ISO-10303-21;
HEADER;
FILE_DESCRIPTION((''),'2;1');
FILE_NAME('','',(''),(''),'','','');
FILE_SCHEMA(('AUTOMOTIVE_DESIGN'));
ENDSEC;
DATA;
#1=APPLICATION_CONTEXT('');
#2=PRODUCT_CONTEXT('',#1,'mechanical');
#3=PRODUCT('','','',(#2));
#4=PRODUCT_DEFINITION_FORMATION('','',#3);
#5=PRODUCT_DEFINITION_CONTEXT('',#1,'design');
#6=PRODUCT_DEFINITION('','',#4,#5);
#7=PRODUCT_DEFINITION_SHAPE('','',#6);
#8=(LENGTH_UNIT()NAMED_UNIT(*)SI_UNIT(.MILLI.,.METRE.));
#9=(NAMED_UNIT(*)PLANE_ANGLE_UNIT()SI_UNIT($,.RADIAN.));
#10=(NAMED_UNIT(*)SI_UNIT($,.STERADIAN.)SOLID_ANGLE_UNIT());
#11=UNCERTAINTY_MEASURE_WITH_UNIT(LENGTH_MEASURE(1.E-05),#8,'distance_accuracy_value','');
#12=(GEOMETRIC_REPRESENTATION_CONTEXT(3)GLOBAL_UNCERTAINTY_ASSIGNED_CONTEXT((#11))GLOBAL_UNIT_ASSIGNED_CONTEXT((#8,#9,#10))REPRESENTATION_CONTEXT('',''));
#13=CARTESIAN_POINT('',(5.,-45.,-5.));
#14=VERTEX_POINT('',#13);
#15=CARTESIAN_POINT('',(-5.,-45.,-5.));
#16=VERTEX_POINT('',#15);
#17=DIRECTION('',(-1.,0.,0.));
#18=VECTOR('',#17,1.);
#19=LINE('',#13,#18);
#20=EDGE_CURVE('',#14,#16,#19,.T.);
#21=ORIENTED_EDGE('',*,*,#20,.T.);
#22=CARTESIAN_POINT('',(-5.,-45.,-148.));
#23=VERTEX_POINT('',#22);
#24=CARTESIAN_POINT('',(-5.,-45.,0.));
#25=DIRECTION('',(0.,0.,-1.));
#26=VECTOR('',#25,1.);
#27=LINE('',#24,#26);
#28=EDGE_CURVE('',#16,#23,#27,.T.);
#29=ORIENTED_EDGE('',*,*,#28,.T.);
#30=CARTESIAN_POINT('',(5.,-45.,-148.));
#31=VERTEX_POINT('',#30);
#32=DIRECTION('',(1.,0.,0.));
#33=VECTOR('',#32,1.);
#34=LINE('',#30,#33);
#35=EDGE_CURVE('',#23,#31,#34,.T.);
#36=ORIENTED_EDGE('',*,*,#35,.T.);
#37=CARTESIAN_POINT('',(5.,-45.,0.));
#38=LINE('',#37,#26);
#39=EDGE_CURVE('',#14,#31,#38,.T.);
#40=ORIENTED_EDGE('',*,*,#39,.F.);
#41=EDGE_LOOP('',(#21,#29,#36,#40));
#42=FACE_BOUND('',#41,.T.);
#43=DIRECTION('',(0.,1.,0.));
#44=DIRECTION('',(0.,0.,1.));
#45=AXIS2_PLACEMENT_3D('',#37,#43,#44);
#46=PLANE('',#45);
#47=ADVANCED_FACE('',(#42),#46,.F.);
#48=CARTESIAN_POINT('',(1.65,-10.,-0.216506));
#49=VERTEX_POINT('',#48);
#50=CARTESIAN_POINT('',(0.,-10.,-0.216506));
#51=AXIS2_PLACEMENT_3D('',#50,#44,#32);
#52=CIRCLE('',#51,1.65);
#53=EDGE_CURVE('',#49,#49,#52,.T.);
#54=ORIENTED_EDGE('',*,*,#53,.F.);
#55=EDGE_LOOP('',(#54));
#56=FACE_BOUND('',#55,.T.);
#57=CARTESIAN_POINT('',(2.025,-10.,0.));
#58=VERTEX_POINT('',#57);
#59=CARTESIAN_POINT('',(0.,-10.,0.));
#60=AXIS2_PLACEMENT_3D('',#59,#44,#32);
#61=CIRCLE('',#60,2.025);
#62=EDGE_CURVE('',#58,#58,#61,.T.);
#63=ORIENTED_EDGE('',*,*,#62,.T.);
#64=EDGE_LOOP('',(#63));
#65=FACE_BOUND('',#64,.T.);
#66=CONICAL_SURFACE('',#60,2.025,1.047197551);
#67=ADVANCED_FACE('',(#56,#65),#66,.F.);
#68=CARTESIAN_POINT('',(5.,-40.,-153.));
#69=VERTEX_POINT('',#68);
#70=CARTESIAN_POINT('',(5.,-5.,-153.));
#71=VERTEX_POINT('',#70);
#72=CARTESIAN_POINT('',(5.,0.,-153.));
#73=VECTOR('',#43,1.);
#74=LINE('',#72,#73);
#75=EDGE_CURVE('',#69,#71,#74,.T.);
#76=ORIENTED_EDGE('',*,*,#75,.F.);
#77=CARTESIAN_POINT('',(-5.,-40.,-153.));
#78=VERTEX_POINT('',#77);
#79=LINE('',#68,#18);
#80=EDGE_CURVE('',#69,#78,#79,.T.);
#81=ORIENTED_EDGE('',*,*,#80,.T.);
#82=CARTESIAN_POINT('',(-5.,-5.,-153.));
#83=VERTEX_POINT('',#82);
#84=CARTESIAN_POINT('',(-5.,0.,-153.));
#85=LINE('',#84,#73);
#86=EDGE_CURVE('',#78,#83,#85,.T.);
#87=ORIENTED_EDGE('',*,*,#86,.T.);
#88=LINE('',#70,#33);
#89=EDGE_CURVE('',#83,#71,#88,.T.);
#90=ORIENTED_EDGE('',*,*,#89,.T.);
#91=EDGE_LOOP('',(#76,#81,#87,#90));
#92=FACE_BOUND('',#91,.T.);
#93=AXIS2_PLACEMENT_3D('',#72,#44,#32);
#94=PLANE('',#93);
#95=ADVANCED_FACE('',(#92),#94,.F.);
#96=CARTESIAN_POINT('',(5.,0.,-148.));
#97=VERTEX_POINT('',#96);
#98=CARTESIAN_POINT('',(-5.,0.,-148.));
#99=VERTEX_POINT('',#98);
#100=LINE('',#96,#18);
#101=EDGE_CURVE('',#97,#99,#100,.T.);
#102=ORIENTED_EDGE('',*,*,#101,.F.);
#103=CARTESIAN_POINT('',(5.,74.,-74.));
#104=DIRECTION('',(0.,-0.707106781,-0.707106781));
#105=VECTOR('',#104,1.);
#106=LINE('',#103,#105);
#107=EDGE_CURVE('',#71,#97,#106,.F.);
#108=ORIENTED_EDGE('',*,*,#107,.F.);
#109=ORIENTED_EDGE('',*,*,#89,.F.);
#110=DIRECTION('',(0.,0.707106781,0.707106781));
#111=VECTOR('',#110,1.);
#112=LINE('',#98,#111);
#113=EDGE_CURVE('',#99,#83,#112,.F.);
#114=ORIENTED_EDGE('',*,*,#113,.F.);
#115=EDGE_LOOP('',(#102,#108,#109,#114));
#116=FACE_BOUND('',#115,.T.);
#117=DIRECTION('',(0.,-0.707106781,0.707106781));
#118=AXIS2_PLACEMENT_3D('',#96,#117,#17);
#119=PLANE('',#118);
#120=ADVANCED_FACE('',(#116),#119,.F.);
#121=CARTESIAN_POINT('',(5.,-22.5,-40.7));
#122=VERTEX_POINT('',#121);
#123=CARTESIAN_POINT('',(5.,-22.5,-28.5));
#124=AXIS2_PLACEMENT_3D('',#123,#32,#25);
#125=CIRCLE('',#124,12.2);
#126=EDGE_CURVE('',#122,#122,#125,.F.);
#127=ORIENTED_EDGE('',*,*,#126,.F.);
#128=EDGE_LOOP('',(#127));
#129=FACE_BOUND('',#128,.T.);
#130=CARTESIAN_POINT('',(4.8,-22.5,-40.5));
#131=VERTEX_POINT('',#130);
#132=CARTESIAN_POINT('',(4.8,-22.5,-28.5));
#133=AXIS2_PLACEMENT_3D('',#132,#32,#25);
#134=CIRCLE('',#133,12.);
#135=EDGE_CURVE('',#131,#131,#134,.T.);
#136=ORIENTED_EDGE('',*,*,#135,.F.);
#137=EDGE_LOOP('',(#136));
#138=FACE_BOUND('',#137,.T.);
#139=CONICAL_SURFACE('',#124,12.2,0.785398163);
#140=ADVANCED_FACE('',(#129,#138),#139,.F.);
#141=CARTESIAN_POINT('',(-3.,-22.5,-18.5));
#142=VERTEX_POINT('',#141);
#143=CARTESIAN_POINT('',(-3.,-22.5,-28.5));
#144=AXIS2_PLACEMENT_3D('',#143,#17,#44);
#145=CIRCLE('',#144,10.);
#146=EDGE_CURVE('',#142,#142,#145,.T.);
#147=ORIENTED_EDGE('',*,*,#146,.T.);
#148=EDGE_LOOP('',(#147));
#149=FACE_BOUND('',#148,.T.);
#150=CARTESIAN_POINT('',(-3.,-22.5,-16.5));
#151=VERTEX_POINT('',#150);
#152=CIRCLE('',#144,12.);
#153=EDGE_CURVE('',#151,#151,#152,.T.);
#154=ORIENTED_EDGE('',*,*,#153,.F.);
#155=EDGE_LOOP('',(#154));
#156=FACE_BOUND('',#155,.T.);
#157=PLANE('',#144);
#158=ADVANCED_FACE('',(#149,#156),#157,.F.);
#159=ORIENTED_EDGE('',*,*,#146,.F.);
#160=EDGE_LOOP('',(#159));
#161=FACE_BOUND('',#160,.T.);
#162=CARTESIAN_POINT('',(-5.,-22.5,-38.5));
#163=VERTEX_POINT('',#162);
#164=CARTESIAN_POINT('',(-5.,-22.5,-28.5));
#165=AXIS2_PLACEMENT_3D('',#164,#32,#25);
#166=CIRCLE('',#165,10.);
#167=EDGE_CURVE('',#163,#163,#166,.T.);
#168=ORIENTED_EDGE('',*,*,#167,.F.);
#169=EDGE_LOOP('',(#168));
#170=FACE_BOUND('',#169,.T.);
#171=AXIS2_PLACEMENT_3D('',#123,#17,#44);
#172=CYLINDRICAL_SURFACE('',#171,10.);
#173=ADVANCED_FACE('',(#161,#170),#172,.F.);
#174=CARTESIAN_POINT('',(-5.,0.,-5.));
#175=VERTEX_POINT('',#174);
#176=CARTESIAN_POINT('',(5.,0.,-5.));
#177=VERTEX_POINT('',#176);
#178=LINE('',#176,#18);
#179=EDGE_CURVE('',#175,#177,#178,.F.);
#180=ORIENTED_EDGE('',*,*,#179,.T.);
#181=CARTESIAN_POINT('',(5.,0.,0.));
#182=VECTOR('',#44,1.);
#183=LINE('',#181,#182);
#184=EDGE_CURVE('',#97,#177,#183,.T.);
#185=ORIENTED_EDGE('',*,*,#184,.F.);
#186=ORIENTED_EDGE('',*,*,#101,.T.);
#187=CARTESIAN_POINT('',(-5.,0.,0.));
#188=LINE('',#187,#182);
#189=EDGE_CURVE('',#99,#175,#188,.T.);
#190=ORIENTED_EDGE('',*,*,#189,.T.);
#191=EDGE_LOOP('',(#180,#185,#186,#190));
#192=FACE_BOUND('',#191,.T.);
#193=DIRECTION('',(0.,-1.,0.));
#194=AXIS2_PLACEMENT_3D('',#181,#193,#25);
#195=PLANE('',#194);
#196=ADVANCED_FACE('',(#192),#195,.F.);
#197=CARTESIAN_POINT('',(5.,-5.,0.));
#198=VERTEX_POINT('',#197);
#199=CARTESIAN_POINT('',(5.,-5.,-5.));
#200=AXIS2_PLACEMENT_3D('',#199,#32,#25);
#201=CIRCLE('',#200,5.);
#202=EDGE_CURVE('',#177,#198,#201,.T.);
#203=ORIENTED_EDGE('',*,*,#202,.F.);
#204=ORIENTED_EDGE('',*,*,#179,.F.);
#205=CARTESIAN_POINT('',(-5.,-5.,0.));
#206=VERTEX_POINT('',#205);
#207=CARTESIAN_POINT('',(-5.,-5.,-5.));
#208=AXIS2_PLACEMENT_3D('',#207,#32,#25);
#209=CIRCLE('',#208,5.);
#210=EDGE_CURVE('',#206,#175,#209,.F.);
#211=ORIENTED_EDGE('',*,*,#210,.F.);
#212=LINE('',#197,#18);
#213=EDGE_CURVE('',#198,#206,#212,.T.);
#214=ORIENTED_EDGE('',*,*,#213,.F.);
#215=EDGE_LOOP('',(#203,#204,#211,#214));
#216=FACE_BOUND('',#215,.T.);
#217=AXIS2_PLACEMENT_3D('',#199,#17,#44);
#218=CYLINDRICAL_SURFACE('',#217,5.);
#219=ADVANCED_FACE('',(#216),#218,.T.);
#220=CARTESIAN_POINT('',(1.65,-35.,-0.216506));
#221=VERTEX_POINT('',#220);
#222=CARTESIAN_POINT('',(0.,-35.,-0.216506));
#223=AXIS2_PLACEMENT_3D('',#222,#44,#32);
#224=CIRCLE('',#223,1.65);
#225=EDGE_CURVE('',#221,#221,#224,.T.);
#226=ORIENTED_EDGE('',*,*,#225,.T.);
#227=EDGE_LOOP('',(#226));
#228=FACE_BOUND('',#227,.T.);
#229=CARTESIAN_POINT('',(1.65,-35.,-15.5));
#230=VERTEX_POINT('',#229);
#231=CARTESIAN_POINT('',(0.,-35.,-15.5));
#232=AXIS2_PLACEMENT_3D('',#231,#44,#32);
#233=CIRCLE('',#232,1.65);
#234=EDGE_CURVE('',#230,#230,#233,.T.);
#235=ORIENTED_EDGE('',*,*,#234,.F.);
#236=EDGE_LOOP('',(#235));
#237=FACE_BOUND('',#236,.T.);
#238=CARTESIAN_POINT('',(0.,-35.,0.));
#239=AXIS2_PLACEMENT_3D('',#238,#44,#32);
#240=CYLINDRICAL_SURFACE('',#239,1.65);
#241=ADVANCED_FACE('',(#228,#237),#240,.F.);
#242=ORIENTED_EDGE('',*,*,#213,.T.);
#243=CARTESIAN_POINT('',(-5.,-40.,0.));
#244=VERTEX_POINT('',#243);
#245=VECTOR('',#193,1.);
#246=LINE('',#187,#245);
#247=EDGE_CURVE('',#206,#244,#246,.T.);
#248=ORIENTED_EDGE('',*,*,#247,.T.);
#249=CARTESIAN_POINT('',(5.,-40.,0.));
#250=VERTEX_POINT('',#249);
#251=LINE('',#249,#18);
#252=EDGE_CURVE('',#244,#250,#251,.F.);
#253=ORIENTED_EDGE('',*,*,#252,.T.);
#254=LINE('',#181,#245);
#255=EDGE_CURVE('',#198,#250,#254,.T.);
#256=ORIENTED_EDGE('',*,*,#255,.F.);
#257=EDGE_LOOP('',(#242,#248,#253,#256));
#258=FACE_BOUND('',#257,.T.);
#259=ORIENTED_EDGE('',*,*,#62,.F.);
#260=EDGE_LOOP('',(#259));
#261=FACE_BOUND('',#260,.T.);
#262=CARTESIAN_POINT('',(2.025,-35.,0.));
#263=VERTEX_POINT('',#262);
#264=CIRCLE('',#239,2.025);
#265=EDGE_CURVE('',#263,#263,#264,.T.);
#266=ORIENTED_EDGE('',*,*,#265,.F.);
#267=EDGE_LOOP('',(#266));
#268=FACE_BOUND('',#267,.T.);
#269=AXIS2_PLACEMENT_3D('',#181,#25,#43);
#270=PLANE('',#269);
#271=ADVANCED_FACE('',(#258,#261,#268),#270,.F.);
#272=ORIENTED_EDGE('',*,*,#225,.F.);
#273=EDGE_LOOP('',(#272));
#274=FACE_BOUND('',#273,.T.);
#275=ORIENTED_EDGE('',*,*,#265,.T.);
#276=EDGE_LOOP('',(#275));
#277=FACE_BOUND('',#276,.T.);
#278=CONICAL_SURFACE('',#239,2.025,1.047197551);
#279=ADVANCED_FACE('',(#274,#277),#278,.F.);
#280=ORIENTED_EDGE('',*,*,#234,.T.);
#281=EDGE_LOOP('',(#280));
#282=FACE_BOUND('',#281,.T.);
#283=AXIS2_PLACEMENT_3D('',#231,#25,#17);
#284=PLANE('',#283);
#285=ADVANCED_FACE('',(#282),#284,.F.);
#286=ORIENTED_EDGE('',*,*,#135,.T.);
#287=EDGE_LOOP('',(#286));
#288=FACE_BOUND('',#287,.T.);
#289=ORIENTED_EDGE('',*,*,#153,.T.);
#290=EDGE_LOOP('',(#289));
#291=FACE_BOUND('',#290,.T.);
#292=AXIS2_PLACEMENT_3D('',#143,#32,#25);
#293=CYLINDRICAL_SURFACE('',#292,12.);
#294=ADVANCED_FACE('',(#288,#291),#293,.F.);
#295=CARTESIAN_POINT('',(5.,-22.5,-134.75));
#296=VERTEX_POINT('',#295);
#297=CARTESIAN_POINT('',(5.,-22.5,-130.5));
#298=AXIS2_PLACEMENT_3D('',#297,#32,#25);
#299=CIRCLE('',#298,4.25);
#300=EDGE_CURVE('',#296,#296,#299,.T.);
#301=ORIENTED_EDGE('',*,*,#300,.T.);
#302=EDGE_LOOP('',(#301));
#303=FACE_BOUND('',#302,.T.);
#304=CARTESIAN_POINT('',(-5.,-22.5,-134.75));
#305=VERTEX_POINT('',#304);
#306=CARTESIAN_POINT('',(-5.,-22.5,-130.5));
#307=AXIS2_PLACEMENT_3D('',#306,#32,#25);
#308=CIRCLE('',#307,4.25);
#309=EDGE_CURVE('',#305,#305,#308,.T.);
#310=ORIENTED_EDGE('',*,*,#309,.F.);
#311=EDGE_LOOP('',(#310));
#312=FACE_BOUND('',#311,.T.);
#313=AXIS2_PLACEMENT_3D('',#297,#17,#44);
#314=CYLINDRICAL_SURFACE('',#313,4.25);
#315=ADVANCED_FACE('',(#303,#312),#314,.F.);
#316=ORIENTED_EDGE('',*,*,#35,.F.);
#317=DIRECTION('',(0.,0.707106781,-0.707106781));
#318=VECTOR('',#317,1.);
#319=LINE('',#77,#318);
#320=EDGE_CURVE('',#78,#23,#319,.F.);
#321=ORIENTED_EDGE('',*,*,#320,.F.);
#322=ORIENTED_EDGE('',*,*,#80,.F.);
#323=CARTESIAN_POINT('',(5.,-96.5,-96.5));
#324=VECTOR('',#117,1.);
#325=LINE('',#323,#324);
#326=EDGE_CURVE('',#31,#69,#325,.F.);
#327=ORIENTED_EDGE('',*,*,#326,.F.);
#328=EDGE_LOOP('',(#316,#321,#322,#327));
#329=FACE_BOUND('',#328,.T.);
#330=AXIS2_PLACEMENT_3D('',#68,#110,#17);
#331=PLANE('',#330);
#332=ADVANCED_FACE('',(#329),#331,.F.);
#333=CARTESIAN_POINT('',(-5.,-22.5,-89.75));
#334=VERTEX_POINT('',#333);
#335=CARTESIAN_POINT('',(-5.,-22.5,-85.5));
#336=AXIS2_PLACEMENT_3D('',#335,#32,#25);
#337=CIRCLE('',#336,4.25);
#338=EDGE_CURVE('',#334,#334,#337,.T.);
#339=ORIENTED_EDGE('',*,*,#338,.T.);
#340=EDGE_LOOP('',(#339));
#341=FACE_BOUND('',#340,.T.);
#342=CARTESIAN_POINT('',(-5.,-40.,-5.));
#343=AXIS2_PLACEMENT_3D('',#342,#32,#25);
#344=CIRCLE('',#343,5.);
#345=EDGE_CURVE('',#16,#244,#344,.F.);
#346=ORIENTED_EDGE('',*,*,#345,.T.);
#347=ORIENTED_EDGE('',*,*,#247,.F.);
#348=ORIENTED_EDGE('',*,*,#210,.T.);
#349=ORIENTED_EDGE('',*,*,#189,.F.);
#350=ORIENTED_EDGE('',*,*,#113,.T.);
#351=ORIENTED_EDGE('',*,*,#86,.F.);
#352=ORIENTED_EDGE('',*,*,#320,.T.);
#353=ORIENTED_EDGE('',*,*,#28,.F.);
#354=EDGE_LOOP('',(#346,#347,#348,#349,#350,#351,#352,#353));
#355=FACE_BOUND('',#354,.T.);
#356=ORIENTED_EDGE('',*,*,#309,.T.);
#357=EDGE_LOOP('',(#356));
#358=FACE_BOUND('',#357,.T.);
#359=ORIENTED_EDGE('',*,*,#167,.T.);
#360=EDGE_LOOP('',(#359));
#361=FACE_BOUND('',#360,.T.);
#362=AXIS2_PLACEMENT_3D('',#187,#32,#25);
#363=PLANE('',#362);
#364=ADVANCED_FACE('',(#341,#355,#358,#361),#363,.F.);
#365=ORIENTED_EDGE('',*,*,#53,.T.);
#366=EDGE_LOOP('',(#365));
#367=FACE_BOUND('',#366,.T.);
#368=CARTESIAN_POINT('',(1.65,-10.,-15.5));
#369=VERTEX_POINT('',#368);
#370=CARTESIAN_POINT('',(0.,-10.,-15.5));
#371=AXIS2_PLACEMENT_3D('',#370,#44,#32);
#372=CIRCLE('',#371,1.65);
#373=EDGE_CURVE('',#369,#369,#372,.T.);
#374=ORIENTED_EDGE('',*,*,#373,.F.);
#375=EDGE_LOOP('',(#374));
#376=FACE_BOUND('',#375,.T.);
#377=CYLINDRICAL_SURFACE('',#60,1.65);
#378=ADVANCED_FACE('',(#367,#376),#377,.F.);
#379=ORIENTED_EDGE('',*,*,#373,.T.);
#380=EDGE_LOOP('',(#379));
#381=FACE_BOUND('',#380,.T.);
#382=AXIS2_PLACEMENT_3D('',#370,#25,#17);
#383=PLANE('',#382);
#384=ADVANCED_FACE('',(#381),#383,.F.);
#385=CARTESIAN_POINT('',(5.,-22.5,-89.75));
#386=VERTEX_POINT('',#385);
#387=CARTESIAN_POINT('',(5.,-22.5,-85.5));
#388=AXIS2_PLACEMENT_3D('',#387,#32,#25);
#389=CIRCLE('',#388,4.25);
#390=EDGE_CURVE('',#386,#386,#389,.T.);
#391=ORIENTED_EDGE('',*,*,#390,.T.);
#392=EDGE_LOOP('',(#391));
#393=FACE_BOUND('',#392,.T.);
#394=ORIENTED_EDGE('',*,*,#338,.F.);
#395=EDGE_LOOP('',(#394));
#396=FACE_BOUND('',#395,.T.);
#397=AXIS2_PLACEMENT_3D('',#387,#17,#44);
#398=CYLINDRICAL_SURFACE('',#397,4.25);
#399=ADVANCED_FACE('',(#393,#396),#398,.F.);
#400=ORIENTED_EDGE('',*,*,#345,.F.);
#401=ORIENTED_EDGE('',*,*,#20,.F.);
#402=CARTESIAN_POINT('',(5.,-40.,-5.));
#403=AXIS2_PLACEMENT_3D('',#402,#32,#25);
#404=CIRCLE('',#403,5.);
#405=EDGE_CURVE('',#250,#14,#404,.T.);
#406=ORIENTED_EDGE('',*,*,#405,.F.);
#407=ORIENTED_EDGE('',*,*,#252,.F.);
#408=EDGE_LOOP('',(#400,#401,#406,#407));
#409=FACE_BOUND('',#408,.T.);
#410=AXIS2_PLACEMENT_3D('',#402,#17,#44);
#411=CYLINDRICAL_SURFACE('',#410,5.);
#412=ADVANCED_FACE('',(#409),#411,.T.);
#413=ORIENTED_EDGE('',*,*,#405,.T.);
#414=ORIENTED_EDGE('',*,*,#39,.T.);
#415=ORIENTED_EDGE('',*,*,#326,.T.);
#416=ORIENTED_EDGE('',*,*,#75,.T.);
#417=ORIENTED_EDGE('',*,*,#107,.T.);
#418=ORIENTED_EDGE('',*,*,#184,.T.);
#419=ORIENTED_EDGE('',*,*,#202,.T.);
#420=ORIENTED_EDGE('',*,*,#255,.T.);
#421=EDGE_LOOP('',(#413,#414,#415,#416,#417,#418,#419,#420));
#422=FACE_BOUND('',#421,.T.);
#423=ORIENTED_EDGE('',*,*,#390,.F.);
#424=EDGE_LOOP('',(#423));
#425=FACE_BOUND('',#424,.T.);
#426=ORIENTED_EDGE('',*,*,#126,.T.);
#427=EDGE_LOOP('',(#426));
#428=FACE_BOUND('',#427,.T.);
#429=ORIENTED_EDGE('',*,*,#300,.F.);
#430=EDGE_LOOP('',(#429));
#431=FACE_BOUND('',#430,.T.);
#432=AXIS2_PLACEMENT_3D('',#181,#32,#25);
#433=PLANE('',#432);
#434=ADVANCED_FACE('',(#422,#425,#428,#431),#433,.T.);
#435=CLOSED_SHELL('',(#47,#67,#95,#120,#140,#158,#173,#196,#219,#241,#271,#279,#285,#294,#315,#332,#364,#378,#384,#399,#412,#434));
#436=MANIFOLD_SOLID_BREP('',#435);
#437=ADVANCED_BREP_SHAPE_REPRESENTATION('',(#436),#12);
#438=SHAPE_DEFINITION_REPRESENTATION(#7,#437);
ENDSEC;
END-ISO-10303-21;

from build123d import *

# Parameters (mm, degrees)
SKETCH_1_W                   = 153
SKETCH_1_H                   = 45
SKETCH_1_R                   = 10
SKETCH_1_R_2                 = 4.25
EXTRUDE_1_DEPTH              = 5
SKETCH_6_R                   = 12
CUT_EXTRUDE_1028_DEPTH       = 8
CHAMFER_1_SIZE               = 5
FILLET_1_R                   = 5
CHAMFER_2_SIZE               = 0.2
HOLE_WIZARD_M4_1_D           = 3.3
HOLE_WIZARD_M4_1_DEPTH       = 15.5
HOLE_WIZARD_M4_1_CSINK_D     = 4.05
HOLE_WIZARD_M4_1_CSINK_ANGLE = 120


with BuildPart() as part:
    # 草图1 → 凸台-拉伸1 (new body, symmetric)
    with BuildSketch(Plane(origin=(0, 0, 0), x_dir=(0, 0, -1), z_dir=(1, 0, 0))):
        with Locations((76.5, -22.5)):
            Rectangle(SKETCH_1_W, SKETCH_1_H)
        with Locations((28.5, -22.5)):
            Circle(SKETCH_1_R, mode=Mode.SUBTRACT)
        with Locations((85.5, -22.5)):
            Circle(SKETCH_1_R_2, mode=Mode.SUBTRACT)
        with Locations((130.5, -22.5)):
            Circle(SKETCH_1_R_2, mode=Mode.SUBTRACT)
    extrude(amount=EXTRUDE_1_DEPTH, both=True)

    # 草图6 → Cut-Extrude 1028 (cut)
    with BuildSketch(Plane.ZY.offset(-5)):
        with Locations((-28.5, -22.5)):
            Circle(SKETCH_6_R)
    extrude(amount=CUT_EXTRUDE_1028_DEPTH, mode=Mode.SUBTRACT)

    # 倒角1
    chamfer_1_edges = [part.edges().sort_by_distance(p)[0] for p in [
        (0, 0, -153),
        (0, -45, -153),
    ]]
    chamfer(chamfer_1_edges, length=CHAMFER_1_SIZE)

    # 圆角1
    fillet_1_edges = [part.edges().sort_by_distance(p)[0] for p in [
        (0, 0, 0),
        (0, -45, 0),
    ]]
    fillet(fillet_1_edges, radius=FILLET_1_R)

    # 倒角2
    chamfer_2_edges = [part.edges().sort_by_distance(p)[0] for p in [
        (5, -22.5, -40.5),
    ]]
    chamfer(chamfer_2_edges, length=CHAMFER_2_SIZE)

    # M4 螺纹孔1
    with Locations(Plane.XY):
        with Locations((0, -10), (0, -35)):
            CounterSinkHole(HOLE_WIZARD_M4_1_D / 2, HOLE_WIZARD_M4_1_CSINK_D / 2, depth=HOLE_WIZARD_M4_1_DEPTH, counter_sink_angle=HOLE_WIZARD_M4_1_CSINK_ANGLE)


solid = part.part
